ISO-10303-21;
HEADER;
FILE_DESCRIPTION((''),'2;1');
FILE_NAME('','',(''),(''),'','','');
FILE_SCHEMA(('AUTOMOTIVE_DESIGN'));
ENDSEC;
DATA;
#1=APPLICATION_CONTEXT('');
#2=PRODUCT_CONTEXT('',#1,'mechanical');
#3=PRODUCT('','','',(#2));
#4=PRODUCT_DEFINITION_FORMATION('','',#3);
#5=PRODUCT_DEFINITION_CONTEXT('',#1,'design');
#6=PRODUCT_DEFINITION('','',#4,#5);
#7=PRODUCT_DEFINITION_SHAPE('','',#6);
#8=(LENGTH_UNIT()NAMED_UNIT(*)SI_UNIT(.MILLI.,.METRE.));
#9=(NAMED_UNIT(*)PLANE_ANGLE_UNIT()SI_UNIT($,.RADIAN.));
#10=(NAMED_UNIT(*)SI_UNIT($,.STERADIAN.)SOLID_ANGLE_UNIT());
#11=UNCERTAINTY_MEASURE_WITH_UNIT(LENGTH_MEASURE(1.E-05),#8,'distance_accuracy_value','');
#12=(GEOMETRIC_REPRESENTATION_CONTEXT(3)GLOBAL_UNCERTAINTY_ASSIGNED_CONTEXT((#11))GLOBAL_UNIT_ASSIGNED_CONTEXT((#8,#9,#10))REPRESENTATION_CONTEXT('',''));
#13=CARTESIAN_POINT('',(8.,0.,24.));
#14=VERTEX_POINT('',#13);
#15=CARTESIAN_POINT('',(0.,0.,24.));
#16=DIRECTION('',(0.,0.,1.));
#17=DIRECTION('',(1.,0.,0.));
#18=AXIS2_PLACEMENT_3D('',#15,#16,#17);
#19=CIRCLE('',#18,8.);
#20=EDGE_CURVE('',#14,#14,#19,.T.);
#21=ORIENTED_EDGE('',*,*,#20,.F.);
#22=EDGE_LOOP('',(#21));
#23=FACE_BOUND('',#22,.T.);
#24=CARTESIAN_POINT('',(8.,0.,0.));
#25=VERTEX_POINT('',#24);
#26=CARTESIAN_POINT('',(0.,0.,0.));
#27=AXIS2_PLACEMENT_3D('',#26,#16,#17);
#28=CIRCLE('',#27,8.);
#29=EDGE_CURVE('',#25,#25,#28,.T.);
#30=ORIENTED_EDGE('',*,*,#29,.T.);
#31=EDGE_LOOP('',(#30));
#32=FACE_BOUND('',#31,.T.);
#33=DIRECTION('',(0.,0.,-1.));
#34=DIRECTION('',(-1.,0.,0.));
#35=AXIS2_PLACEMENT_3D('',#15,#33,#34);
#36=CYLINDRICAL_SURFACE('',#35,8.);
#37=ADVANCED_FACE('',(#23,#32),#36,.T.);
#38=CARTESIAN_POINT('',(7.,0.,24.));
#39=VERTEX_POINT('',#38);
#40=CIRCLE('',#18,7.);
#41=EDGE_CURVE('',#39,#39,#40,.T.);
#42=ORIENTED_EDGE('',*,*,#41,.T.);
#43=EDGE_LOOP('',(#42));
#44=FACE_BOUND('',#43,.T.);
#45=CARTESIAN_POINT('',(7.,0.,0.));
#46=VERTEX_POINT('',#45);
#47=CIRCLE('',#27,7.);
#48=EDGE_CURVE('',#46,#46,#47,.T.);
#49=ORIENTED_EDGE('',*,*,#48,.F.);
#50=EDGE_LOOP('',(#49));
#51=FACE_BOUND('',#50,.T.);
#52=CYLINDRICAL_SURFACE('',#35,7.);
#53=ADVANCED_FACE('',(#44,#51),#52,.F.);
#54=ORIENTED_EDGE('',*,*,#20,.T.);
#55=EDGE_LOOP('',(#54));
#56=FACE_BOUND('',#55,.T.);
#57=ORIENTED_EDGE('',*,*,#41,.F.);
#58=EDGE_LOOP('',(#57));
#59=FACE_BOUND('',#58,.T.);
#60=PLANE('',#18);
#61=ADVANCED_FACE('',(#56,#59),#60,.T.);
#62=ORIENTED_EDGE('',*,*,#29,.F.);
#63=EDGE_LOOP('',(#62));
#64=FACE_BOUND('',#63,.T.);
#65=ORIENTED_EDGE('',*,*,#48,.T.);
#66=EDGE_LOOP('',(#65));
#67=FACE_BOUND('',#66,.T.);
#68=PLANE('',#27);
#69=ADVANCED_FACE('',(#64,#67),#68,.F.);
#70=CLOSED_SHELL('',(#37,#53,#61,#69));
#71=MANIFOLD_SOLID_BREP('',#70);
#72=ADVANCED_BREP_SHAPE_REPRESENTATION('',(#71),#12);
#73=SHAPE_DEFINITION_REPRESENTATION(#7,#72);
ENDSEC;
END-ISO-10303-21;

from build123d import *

# Parameters (mm, degrees)
ESBO_O2_R                = 8
ESBO_O2_R_2              = 7
RESSALTO_EXTRUS_O2_DEPTH = 24


with BuildPart() as part:
    # Esboço2 → Ressalto-extrusão2 (new body)
    with BuildSketch(Plane.XY):
        Circle(ESBO_O2_R)
        Circle(ESBO_O2_R_2, mode=Mode.SUBTRACT)
    extrude(amount=RESSALTO_EXTRUS_O2_DEPTH)


solid = part.part
